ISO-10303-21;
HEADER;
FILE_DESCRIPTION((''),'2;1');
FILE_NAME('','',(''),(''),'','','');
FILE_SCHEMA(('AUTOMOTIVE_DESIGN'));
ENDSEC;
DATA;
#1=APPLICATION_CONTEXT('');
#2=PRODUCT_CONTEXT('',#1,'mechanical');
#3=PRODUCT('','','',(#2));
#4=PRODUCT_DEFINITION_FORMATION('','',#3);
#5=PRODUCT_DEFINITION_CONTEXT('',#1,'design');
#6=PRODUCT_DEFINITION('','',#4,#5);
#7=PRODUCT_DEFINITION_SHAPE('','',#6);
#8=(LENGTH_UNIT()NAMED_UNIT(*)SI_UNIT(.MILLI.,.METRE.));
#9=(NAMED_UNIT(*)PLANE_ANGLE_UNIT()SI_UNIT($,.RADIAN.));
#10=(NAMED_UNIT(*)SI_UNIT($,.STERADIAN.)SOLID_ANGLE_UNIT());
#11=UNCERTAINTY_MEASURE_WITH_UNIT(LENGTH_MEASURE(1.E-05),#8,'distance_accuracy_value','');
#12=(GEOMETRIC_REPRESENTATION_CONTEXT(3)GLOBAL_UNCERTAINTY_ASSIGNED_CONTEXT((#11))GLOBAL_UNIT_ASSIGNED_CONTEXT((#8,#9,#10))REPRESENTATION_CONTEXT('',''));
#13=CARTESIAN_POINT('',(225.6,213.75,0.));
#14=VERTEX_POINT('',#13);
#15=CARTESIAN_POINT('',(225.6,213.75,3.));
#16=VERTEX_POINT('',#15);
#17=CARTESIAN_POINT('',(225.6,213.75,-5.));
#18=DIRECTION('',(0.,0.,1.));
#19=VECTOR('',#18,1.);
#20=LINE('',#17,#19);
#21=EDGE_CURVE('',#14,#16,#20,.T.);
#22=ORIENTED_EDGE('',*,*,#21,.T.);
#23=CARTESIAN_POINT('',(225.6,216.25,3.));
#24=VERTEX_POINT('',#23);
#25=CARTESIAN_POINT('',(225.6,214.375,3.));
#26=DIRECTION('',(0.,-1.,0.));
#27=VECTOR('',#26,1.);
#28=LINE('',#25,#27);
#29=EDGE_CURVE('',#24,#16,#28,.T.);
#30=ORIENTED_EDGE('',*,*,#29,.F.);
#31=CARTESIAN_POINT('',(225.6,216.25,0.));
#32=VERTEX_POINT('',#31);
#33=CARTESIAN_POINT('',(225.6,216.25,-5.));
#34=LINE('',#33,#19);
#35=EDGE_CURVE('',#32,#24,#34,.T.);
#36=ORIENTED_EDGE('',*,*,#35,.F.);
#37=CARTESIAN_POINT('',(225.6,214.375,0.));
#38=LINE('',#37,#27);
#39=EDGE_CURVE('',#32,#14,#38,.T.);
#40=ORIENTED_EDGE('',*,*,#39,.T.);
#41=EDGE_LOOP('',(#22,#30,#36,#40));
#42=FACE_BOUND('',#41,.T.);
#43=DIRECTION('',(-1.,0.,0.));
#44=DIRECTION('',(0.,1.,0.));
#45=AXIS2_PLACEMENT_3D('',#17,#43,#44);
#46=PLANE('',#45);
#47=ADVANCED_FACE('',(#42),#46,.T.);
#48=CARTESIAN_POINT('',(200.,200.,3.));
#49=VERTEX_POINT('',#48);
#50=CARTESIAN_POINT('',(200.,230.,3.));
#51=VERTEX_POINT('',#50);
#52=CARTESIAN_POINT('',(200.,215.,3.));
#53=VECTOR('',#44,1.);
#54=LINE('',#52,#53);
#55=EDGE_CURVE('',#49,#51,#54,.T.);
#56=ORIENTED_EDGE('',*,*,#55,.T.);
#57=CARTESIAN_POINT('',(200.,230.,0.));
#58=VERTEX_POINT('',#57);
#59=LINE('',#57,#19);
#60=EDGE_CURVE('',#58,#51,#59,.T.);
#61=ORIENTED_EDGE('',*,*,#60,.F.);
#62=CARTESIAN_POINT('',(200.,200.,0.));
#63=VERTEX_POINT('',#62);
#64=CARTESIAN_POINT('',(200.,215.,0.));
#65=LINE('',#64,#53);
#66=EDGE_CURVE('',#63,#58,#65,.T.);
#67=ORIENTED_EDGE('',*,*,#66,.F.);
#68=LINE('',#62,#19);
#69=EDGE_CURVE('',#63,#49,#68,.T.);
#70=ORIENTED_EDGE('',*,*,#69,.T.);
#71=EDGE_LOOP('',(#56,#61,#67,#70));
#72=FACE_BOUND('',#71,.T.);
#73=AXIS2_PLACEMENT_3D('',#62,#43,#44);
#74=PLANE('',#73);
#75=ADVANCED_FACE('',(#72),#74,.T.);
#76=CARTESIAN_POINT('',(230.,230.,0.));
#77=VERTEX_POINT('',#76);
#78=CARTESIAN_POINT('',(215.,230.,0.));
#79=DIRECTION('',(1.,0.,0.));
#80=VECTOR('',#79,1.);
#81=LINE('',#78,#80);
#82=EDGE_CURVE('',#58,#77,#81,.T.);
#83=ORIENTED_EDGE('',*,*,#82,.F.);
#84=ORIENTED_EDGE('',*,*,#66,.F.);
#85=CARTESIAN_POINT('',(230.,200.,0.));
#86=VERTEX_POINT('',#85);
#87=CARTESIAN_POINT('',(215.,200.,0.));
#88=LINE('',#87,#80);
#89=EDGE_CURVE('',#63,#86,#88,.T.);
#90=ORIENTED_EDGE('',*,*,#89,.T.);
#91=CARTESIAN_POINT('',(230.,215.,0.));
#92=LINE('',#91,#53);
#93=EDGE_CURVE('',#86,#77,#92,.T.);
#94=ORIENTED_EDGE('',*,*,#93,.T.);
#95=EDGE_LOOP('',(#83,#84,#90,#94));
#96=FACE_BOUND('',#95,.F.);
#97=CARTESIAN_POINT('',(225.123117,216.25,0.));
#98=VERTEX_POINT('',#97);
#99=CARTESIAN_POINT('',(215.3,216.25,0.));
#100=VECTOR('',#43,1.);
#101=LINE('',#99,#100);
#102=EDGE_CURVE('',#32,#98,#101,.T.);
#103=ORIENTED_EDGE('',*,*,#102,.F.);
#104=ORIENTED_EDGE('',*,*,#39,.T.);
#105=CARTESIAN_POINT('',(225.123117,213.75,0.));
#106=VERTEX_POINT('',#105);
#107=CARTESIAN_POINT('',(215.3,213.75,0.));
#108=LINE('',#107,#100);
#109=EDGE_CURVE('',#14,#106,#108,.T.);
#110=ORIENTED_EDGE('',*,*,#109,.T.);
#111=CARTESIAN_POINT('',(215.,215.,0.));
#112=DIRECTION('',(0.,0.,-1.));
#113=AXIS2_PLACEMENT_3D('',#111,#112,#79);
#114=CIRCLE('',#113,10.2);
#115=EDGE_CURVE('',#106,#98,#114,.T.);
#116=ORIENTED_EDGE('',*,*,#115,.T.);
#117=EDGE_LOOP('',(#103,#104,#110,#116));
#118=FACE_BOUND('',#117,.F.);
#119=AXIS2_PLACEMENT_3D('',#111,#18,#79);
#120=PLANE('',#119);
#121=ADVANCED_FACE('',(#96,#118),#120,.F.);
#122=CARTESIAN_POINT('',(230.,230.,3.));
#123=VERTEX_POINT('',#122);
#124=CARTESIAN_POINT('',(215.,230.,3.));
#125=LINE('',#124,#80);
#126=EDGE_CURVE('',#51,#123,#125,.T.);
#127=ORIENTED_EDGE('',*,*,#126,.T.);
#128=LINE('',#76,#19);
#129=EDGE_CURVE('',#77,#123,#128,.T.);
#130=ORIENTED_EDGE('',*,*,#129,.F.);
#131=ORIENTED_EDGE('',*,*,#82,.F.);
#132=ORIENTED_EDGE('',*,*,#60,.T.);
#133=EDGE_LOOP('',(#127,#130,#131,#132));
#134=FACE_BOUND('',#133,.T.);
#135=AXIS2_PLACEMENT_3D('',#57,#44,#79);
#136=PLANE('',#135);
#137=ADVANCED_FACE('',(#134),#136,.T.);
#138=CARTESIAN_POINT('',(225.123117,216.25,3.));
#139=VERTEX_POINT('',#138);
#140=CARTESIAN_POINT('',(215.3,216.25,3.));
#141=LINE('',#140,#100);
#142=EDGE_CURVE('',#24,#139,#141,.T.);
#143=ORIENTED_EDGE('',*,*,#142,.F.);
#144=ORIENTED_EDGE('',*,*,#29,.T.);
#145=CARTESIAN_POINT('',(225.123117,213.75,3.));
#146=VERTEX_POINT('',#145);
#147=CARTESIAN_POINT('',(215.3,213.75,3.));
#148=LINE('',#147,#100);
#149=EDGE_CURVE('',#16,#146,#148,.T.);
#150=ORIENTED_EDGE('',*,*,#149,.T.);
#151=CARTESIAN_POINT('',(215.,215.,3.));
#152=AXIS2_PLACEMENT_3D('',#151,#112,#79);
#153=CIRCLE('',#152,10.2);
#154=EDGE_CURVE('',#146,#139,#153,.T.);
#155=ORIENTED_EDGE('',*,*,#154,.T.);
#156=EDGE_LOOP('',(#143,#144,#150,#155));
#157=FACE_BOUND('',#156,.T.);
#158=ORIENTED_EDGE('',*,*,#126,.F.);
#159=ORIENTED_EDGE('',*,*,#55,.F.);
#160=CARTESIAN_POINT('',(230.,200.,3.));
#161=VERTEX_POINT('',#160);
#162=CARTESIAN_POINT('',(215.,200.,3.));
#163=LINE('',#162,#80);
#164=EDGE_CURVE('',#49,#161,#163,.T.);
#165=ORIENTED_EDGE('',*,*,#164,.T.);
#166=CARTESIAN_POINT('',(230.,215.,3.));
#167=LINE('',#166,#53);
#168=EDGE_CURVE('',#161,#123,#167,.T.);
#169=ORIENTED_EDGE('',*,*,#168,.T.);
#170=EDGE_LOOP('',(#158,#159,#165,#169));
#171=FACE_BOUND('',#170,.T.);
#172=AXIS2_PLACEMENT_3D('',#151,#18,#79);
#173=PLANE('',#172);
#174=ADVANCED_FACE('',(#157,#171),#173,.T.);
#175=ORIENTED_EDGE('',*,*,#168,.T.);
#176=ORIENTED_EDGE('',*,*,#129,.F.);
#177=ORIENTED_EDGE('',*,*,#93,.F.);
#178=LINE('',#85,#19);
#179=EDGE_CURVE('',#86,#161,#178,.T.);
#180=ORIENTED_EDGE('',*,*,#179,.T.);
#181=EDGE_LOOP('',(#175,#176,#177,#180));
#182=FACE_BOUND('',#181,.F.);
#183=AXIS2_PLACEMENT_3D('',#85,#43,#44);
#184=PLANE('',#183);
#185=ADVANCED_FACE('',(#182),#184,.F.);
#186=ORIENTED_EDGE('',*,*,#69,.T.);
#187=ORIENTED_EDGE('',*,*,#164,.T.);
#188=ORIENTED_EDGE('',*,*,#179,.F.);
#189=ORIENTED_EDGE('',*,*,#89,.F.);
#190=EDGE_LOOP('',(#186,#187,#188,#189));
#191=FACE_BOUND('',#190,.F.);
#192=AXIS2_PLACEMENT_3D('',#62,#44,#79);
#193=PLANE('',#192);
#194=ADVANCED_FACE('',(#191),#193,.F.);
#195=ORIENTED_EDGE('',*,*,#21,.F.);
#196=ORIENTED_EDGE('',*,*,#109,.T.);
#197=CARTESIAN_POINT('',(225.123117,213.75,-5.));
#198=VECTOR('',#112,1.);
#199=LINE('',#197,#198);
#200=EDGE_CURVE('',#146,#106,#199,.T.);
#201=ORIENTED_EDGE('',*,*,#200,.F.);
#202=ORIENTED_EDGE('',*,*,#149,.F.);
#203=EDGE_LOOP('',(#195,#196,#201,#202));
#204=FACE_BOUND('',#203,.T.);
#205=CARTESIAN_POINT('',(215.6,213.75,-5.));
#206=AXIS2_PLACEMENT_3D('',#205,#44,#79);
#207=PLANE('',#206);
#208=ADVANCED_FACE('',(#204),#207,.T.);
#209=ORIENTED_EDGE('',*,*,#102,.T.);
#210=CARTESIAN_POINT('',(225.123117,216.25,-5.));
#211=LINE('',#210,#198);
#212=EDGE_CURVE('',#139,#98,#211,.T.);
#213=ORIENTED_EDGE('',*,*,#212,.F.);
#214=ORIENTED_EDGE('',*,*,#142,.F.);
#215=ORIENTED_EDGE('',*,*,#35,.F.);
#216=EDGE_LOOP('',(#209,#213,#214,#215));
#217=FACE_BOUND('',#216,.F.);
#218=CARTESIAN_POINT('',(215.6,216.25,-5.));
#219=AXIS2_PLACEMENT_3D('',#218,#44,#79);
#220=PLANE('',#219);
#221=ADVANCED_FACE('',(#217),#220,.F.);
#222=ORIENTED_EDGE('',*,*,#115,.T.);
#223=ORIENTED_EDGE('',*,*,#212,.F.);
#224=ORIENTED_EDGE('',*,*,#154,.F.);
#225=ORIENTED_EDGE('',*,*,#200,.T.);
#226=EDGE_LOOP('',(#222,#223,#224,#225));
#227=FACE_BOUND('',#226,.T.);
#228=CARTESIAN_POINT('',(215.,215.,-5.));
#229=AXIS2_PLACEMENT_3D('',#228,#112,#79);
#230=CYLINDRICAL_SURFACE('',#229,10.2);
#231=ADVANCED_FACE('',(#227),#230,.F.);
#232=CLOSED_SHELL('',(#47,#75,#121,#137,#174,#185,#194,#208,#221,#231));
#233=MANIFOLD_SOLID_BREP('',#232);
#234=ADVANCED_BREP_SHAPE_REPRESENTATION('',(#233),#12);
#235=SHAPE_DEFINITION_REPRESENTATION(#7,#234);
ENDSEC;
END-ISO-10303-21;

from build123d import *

# Parameters (mm, degrees)
BOX034_W          = 10
BOX034_H          = 2.5
BOX034_DEPTH      = 10
CYLINDER029_R     = 10.2
CYLINDER029_DEPTH = 10
BOX035_W          = 30
BOX035_H          = 30
BOX035_DEPTH      = 3


with BuildPart() as cube034:
    # Box034 → Box034 (new body)
    with BuildSketch(Plane(origin=(85.6, 163.75, -5), x_dir=(1, 0, 0), z_dir=(0, 0, 1))):
        with Locations((5, 1.25)):
            Rectangle(BOX034_W, BOX034_H)
    extrude(amount=BOX034_DEPTH)


with BuildPart() as powersw001:
    # Cylinder029 → Cylinder029 (new body)
    with BuildSketch(Plane(origin=(85, 165, -5), x_dir=(1, 0, 0), z_dir=(0, 0, 1))):
        Circle(CYLINDER029_R)
    extrude(amount=CYLINDER029_DEPTH)

    # Fusion001: union Cube034
    add(cube034.part)


with BuildPart() as powersw001_1:
    # Fusion001 placement: moved
    add(powersw001.part.moved(Location((130, 50, 0))))


with BuildPart() as powerswtest:
    # Box035 → Box035 (new body)
    with BuildSketch(Plane(origin=(200, 200, 0), x_dir=(1, 0, 0), z_dir=(0, 0, 1))):
        with Locations((15, 15)):
            Rectangle(BOX035_W, BOX035_H)
    extrude(amount=BOX035_DEPTH)

    # Cut044: cut PowerSw001
    add(powersw001_1.part, mode=Mode.SUBTRACT)


solid = powerswtest.part
